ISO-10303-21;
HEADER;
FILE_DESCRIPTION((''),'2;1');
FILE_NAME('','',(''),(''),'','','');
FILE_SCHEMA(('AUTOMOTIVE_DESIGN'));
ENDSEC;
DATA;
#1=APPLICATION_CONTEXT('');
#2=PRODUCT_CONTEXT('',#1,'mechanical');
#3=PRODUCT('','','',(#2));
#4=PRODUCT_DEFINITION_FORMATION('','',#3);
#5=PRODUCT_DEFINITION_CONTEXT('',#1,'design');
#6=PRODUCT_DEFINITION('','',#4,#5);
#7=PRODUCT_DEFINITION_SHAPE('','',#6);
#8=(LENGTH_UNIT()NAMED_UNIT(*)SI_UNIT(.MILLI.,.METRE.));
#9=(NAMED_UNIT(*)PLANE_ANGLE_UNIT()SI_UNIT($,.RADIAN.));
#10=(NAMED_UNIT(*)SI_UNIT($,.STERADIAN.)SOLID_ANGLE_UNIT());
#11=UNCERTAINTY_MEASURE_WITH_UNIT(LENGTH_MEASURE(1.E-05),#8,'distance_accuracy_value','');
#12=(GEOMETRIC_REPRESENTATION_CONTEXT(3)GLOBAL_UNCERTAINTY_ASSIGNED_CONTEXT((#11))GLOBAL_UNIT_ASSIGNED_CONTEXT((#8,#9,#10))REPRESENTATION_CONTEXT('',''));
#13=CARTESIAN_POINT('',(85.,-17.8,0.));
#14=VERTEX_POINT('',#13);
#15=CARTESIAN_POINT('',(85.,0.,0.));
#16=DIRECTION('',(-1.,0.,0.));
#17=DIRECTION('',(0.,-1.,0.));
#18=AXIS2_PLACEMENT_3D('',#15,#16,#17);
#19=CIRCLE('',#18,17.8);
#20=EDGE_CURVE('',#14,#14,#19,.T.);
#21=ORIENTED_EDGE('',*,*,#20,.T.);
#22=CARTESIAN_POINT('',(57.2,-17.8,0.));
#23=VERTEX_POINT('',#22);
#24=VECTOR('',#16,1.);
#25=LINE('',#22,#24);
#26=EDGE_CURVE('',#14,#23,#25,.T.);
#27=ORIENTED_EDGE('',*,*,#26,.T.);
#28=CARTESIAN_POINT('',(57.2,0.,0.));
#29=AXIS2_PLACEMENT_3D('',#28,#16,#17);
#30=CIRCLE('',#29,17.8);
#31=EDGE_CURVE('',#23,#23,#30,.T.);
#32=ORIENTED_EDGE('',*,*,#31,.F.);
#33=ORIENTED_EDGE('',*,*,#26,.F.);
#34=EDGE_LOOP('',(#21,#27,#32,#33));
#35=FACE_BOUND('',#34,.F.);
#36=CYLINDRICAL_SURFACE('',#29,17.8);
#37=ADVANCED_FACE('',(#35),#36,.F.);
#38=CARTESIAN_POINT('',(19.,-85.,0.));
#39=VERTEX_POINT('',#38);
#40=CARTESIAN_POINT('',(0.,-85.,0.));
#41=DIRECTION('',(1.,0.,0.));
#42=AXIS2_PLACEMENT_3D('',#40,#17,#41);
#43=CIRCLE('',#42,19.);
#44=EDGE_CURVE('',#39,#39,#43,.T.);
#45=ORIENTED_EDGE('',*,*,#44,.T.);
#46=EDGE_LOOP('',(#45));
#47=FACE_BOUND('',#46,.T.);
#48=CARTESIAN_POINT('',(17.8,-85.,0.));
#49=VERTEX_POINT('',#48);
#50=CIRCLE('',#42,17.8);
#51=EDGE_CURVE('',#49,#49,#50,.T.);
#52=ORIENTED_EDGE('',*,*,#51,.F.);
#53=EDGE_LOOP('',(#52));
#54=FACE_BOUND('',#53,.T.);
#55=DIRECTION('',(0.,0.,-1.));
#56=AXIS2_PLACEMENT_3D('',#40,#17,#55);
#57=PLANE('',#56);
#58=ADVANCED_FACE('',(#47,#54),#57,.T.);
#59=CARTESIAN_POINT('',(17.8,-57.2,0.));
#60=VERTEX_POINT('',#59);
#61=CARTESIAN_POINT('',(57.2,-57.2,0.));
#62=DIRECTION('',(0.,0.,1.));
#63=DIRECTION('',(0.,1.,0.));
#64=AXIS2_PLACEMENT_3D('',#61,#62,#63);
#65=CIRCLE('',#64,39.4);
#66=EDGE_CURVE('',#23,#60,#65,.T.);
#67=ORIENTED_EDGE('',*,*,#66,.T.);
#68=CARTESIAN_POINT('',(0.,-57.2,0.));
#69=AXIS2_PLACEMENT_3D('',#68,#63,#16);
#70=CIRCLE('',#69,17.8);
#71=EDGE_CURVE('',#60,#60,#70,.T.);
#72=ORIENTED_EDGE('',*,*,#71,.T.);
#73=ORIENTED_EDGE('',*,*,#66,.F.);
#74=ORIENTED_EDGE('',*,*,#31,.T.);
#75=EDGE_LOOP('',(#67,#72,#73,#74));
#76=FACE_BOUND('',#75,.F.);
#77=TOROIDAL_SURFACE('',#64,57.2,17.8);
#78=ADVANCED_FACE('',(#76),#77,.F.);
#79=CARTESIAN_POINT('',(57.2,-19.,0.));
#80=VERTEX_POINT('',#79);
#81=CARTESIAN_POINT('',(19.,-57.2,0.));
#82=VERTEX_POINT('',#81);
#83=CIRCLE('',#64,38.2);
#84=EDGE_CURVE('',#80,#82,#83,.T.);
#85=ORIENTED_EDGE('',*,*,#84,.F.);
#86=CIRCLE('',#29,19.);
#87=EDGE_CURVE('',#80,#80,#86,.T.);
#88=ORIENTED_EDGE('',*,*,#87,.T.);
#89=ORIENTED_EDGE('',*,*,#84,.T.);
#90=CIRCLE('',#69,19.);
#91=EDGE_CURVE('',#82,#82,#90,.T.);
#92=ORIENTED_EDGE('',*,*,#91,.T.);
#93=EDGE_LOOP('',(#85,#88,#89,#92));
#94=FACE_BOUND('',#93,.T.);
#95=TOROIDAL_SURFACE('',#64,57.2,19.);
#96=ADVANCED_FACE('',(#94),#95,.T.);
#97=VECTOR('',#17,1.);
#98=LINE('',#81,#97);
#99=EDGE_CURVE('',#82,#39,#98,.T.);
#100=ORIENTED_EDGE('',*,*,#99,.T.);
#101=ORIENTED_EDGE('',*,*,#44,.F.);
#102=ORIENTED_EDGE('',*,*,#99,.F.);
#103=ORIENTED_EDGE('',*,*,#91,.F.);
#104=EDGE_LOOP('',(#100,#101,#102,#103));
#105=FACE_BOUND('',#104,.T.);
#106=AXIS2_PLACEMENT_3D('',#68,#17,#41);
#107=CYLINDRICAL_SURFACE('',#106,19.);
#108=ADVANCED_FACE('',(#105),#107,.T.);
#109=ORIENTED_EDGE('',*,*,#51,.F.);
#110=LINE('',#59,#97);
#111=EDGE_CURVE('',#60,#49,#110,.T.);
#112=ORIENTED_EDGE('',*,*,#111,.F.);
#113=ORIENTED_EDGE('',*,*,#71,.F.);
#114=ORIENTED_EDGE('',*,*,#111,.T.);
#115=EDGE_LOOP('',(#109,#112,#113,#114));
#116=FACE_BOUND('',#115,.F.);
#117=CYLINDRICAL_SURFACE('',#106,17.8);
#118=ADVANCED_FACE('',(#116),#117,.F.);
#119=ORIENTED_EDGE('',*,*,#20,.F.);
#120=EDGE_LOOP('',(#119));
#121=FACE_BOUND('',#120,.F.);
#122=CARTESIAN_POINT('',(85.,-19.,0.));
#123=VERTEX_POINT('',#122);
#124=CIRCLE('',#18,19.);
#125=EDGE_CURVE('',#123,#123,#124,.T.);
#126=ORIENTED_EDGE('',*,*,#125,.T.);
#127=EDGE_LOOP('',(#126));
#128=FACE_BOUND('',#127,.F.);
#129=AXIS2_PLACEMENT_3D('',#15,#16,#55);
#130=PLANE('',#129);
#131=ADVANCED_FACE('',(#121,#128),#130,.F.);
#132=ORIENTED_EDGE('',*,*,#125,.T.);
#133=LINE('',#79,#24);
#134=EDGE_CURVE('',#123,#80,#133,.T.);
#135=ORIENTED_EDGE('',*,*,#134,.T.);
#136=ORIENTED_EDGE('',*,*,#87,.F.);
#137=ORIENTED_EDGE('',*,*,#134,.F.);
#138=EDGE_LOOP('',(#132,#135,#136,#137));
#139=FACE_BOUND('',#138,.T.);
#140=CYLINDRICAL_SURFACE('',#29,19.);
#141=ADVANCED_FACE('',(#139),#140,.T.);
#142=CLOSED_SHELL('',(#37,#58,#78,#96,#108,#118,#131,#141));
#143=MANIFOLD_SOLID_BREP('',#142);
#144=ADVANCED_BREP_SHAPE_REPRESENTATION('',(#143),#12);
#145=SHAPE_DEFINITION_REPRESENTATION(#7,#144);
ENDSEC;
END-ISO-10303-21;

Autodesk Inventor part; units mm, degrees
ref_plane "YZ Plane" through (0, 0, 0) normal (1, 0, 0) x (0, 1, 0)
ref_plane "XZ Plane" through (0, 0, 0) normal (0, 1, 0) x (-1, 0, 0)
sketch "Szkic6" plane through (0, 0, 0) normal (0, 0, 1) x (1, 0, 0)
  line L0 (-29.6067, 0) -> (35.2678, 0) construction
  line L1 (0, 42.3419) -> (0, -58.3726) construction
  arc A0 (57.2, 0) -> (0, -57.2) centre (57.2, -57.2) ccw
  line L2 (0, -57.2) -> (57.2, -57.2) construction
  line L3 (57.2, -57.2) -> (57.2, 8.3331) construction
  line L4 (57.2, 0) -> (85, 0)
  line L5 (0, -57.2) -> (0, -85)
  point P0 (0, 0)
  dimension "d24" = 57.2
  dimension "d31" = 90
  dimension "d36" = 27.8
  dimension "d37" = 27.8
ref_plane "Płaszczyzna konstrukcyjna2" through (0, -57.2, 0) normal (0, -1, 0) x (1, 0, 0)
sketch "Szkic8" plane through (0, -57.2, 0) normal (0, -1, 0) x (1, 0, 0)
  circle A0 centre (0, 0) radius 19
  circle A1 centre (0, 0) radius 17.8
  dimension "d32" = 38
  dimension "d33" = 1.2
sweep "Przeciągnięcie2" add profiles "Szkic8" path "Szkic6"
equation "\"d32\" = OD"
equation "\"d33\" = THK"
equation "\"d24\" = R"
equation "\"d31\" = KAT"
equation "\"d36\" = PROSTKA"
equation "\"d37\" = PROSTKA"
equation "\"SzerokośćGięciaPodcięcia\" = Grubość"
equation "\"RozmiarPodcięciaNarożnika\" = 4 * Grubość"
equation "\"PromieńPrzejścia\" = PromieńGięcia"
equation "\"Rozmiar_promienia_Jacobiego\" = PromieńGięcia"
equation "\"Wielk_odstępu\" = Grubość"
equation "\"d2\" = PromieńGięcia"
equation "\"d23\" = PromieńGięcia"
equation "\"R\" = 57.2"
equation "\"OD\" = 38"
equation "\"THK\" = 1.2"
equation "\"KAT\" = 90deg"
equation "\"PROSTKA\" = 27.8"
equation "\"Grubość\" = 1.5"
equation "\"PromieńGięcia\" = 3"
properties part number "Kolano 90° ø38x1,2 R57,2" material "304L"
